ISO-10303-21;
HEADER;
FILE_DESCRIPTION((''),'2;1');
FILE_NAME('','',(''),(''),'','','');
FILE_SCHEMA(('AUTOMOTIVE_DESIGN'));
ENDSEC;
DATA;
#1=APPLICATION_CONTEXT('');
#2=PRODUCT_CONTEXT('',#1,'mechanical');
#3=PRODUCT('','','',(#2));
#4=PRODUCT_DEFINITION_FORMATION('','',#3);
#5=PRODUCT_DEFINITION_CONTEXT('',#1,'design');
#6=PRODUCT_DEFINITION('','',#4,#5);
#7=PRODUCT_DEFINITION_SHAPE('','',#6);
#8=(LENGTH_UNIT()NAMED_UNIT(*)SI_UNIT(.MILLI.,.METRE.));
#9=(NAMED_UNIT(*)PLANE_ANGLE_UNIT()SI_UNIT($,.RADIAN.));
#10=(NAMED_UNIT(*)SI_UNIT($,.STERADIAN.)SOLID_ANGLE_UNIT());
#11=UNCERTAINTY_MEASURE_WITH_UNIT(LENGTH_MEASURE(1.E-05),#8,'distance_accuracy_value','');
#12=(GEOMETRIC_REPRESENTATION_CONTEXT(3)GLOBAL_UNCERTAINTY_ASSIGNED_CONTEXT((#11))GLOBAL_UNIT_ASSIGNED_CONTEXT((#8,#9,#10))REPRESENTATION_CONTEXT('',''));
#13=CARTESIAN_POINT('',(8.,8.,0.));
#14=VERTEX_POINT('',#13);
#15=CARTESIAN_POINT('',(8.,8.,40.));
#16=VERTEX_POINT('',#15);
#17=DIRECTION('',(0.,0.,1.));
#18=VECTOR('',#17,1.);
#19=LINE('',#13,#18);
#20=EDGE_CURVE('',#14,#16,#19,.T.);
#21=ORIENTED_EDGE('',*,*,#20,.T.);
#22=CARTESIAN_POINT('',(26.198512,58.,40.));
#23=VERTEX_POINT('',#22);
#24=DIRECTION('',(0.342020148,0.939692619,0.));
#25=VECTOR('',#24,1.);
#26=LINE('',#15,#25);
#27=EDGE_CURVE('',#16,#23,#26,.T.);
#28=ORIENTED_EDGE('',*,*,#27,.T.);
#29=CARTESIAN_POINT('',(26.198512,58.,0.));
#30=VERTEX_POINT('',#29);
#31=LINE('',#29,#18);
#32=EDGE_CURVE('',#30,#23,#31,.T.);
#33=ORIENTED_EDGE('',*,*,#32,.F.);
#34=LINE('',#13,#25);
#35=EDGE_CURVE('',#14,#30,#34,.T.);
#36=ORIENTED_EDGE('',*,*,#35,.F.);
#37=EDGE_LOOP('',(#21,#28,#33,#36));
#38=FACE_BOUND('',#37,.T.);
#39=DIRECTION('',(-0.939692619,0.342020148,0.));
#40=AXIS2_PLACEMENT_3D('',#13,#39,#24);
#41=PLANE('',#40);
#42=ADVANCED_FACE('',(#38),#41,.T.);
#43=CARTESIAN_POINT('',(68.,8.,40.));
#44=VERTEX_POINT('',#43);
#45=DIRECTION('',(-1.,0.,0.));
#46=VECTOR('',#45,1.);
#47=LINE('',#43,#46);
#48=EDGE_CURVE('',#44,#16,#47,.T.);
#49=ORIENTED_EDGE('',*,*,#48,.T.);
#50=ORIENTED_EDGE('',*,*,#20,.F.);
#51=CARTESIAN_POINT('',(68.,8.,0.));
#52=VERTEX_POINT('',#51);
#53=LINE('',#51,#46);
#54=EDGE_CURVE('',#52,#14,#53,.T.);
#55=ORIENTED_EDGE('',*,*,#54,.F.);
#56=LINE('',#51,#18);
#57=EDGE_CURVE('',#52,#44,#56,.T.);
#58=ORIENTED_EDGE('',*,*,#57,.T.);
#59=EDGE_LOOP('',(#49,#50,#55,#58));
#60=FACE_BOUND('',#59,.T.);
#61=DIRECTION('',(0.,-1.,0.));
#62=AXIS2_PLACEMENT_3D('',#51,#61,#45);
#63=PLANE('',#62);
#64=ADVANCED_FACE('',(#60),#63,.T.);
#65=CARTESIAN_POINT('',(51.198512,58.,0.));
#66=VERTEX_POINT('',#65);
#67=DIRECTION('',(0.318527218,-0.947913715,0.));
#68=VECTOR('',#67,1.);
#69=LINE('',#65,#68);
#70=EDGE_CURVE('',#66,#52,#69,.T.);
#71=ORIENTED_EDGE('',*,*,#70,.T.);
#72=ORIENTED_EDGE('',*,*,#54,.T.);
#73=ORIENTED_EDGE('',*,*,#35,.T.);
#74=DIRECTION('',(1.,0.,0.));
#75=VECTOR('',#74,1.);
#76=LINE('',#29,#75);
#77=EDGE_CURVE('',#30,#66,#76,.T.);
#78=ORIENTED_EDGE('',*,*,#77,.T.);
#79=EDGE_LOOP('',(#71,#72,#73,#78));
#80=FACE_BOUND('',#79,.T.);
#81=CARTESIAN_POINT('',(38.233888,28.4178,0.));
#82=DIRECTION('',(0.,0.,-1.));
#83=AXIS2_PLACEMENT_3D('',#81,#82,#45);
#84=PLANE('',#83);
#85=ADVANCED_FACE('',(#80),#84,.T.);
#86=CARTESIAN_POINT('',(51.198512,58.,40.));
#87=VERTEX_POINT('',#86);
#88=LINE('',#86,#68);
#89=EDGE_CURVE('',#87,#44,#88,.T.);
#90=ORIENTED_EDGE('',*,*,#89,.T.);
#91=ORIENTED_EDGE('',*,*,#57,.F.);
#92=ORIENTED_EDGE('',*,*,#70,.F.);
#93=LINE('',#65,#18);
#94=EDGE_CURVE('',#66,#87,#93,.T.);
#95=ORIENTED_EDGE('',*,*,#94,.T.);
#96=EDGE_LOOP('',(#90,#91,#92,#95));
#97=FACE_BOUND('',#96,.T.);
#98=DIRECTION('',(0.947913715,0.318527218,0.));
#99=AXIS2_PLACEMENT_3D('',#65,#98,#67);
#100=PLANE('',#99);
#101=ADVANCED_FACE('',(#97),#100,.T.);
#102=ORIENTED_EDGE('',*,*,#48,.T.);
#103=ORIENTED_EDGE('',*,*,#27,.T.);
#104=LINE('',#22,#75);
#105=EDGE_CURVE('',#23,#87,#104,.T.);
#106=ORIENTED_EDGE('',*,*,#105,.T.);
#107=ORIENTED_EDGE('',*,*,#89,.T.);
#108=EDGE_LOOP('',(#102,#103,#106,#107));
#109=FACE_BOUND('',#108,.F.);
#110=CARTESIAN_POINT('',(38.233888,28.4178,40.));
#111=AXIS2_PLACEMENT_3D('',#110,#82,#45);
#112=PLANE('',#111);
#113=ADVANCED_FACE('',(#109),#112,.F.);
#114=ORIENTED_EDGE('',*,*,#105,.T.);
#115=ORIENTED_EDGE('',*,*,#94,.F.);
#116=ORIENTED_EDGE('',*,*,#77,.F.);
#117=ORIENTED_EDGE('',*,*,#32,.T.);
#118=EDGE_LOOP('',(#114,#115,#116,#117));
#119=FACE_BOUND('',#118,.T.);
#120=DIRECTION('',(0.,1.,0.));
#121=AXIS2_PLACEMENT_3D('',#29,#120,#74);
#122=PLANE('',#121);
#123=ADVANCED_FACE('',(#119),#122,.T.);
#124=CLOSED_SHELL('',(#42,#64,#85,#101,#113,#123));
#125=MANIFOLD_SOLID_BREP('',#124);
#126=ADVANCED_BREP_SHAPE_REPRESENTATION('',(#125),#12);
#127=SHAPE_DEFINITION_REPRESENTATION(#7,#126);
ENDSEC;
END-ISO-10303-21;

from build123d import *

# Parameters (mm, degrees)
PAD_DEPTH = 40


with BuildPart() as part:
    # Sketch → Pad (new body)
    with BuildSketch(Plane.XY):
        Polygon((26.198512, 58), (51.198512, 58), (68, 8), (8, 8), align=None)
    extrude(amount=PAD_DEPTH)


solid = part.part
